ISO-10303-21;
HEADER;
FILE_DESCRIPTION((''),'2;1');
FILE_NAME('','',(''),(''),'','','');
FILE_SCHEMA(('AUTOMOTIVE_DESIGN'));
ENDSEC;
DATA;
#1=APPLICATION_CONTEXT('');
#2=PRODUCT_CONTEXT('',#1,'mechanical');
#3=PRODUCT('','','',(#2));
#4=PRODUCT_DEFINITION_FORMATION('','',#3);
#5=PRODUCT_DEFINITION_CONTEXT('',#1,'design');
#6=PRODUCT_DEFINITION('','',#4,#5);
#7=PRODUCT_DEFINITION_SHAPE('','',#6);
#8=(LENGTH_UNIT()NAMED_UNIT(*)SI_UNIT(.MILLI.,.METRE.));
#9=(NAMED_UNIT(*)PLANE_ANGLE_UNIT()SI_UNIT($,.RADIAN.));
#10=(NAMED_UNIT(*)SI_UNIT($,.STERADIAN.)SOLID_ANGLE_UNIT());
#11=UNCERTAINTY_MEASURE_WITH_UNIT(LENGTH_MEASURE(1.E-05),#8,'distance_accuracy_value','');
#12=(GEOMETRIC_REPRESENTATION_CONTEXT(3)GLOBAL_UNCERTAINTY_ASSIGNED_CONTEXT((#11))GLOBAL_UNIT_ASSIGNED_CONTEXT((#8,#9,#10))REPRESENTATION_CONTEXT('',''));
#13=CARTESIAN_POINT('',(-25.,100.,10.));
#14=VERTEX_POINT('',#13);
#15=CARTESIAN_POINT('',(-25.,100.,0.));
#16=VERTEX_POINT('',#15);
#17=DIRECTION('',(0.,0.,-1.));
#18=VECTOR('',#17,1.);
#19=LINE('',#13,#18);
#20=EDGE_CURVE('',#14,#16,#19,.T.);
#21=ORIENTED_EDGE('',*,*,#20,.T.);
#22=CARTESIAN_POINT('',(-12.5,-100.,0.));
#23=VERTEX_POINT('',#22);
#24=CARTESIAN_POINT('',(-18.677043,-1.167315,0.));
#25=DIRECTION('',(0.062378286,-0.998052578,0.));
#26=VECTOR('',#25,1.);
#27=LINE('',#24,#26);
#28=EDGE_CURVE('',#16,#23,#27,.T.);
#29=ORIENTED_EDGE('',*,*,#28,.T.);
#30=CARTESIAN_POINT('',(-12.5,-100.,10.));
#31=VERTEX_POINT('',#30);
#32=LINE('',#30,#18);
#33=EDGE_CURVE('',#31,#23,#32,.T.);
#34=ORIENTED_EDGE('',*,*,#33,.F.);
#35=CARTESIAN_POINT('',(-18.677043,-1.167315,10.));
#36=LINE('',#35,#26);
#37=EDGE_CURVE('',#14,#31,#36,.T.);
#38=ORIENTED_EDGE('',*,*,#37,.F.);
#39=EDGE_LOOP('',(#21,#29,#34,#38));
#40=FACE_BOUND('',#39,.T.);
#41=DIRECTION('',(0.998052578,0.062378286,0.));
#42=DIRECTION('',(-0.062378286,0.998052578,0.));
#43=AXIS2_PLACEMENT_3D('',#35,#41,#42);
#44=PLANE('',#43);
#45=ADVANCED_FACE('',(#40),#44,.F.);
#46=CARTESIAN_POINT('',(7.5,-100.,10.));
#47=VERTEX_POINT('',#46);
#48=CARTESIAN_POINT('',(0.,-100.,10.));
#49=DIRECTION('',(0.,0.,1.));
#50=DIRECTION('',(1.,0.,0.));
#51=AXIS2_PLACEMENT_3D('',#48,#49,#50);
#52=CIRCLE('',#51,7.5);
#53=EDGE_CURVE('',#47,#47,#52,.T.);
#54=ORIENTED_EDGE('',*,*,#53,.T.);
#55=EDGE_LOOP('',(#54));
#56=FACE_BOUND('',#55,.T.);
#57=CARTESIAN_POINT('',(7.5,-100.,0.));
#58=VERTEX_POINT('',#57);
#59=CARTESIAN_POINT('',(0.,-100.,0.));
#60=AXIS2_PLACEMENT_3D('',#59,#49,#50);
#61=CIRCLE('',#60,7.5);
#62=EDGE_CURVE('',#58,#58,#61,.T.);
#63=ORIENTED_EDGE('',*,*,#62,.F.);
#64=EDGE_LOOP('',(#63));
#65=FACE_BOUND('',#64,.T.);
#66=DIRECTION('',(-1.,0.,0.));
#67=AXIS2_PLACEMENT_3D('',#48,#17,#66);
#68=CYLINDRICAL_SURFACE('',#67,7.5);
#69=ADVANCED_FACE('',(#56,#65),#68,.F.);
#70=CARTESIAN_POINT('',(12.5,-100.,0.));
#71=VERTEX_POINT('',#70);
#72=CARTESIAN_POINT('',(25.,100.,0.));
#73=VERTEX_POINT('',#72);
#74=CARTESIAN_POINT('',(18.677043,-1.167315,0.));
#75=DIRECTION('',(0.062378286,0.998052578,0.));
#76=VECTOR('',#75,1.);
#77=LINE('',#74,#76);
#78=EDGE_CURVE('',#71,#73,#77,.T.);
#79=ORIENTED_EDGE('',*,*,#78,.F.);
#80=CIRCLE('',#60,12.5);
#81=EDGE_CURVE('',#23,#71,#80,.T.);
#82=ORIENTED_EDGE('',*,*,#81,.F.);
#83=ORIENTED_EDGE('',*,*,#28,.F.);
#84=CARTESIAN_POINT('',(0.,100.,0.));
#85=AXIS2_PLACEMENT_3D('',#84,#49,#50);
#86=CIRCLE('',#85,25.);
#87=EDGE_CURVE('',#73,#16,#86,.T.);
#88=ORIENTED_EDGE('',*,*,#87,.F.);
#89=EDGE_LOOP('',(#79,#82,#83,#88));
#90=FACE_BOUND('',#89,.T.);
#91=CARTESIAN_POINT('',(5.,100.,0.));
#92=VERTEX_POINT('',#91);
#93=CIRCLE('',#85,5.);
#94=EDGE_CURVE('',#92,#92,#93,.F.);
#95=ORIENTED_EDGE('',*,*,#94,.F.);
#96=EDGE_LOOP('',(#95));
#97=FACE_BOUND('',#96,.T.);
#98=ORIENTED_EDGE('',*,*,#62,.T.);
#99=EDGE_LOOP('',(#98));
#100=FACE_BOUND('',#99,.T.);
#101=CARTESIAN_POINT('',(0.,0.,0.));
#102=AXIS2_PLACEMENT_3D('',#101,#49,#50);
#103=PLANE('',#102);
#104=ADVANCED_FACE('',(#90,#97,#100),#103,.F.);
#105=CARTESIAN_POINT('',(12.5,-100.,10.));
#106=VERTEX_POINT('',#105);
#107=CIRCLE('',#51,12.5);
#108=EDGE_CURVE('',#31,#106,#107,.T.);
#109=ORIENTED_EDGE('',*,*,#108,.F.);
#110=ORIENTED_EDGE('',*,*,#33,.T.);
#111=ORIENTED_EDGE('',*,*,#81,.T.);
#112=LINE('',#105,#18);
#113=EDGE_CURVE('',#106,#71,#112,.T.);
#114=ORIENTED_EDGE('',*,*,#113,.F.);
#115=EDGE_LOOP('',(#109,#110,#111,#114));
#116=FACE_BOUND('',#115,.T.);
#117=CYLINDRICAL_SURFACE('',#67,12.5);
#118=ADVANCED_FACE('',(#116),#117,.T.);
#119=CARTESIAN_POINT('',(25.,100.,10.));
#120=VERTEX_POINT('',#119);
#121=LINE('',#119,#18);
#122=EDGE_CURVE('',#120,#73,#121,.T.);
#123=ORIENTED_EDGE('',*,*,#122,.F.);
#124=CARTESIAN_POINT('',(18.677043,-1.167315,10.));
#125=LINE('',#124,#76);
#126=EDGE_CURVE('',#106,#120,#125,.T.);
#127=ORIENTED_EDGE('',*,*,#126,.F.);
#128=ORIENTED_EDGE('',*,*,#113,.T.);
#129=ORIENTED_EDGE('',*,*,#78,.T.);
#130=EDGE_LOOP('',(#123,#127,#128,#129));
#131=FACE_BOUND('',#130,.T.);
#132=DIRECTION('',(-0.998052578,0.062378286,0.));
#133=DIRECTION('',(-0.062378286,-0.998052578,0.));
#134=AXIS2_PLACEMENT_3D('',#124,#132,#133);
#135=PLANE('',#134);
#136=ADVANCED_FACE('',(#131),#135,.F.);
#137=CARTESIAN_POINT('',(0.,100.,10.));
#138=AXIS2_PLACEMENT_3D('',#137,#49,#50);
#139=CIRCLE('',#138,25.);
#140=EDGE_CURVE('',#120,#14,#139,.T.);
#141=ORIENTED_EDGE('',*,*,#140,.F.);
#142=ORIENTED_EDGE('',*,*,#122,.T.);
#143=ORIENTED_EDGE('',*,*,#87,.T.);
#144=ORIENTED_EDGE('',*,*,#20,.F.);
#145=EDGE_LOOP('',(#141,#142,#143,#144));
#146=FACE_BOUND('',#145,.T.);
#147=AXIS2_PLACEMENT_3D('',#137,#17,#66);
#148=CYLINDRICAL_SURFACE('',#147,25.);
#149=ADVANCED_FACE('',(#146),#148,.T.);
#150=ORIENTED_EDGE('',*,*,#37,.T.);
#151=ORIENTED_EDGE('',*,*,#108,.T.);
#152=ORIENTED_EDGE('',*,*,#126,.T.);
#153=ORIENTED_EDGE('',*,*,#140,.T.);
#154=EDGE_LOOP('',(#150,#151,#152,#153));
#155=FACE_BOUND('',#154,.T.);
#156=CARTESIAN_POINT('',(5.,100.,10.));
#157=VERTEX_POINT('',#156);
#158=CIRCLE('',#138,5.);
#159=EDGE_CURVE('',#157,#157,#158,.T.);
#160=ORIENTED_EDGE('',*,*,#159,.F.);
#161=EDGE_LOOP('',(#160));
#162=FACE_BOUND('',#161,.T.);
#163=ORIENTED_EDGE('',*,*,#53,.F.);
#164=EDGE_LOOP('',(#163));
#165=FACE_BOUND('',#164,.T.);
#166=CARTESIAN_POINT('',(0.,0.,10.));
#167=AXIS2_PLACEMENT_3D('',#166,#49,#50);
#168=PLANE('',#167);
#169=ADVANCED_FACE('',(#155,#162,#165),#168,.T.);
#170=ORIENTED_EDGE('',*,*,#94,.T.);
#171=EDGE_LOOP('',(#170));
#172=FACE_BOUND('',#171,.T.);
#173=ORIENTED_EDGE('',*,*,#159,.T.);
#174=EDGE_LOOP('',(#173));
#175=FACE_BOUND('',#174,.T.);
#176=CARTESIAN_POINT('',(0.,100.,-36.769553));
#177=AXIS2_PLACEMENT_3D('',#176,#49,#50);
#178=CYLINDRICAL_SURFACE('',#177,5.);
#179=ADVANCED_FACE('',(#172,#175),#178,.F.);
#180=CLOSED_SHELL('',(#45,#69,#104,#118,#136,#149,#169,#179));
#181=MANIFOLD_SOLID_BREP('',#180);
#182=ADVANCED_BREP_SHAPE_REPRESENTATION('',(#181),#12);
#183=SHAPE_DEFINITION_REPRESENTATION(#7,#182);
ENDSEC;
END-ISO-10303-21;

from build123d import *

# Parameters (mm, degrees)
SKETCH1_R           = 7.5
SKETCH1_R_2         = 13
BOSS_EXTRUDE1_DEPTH = 10
SKETCH2_R           = 13
SKETCH2_R_2         = 5
BOSS_EXTRUDE2_DEPTH = 10


with BuildPart() as part:
    # Sketch1 → Boss-Extrude1 (new body)
    with BuildSketch(Plane.XY):
        with BuildLine():
            ThreePointArc((25, 100), (0, 125), (-25, 100))
            Line((-25, 100), (-24.805447471, 96.887159533))
            Line((-24.805447471, 96.887159533), (-12.5, -100))
            ThreePointArc((-12.5, -100), (0, -112.5), (12.5, -100))
            Line((12.5, -100), (24.805447471, 96.887159533))
            Line((24.805447471, 96.887159533), (25, 100))
        make_face()
        with Locations((0, -100)):
            Circle(SKETCH1_R, mode=Mode.SUBTRACT)
        with Locations((0, 100)):
            Circle(SKETCH1_R_2, mode=Mode.SUBTRACT)
    extrude(amount=BOSS_EXTRUDE1_DEPTH)

    # Sketch2 → Boss-Extrude2 (add)
    with BuildSketch(Plane.XY.offset(10)):
        with Locations((0, 100)):
            Circle(SKETCH2_R)
        with Locations((0, 100)):
            Circle(SKETCH2_R_2, mode=Mode.SUBTRACT)
    extrude(amount=-BOSS_EXTRUDE2_DEPTH)


solid = part.part
